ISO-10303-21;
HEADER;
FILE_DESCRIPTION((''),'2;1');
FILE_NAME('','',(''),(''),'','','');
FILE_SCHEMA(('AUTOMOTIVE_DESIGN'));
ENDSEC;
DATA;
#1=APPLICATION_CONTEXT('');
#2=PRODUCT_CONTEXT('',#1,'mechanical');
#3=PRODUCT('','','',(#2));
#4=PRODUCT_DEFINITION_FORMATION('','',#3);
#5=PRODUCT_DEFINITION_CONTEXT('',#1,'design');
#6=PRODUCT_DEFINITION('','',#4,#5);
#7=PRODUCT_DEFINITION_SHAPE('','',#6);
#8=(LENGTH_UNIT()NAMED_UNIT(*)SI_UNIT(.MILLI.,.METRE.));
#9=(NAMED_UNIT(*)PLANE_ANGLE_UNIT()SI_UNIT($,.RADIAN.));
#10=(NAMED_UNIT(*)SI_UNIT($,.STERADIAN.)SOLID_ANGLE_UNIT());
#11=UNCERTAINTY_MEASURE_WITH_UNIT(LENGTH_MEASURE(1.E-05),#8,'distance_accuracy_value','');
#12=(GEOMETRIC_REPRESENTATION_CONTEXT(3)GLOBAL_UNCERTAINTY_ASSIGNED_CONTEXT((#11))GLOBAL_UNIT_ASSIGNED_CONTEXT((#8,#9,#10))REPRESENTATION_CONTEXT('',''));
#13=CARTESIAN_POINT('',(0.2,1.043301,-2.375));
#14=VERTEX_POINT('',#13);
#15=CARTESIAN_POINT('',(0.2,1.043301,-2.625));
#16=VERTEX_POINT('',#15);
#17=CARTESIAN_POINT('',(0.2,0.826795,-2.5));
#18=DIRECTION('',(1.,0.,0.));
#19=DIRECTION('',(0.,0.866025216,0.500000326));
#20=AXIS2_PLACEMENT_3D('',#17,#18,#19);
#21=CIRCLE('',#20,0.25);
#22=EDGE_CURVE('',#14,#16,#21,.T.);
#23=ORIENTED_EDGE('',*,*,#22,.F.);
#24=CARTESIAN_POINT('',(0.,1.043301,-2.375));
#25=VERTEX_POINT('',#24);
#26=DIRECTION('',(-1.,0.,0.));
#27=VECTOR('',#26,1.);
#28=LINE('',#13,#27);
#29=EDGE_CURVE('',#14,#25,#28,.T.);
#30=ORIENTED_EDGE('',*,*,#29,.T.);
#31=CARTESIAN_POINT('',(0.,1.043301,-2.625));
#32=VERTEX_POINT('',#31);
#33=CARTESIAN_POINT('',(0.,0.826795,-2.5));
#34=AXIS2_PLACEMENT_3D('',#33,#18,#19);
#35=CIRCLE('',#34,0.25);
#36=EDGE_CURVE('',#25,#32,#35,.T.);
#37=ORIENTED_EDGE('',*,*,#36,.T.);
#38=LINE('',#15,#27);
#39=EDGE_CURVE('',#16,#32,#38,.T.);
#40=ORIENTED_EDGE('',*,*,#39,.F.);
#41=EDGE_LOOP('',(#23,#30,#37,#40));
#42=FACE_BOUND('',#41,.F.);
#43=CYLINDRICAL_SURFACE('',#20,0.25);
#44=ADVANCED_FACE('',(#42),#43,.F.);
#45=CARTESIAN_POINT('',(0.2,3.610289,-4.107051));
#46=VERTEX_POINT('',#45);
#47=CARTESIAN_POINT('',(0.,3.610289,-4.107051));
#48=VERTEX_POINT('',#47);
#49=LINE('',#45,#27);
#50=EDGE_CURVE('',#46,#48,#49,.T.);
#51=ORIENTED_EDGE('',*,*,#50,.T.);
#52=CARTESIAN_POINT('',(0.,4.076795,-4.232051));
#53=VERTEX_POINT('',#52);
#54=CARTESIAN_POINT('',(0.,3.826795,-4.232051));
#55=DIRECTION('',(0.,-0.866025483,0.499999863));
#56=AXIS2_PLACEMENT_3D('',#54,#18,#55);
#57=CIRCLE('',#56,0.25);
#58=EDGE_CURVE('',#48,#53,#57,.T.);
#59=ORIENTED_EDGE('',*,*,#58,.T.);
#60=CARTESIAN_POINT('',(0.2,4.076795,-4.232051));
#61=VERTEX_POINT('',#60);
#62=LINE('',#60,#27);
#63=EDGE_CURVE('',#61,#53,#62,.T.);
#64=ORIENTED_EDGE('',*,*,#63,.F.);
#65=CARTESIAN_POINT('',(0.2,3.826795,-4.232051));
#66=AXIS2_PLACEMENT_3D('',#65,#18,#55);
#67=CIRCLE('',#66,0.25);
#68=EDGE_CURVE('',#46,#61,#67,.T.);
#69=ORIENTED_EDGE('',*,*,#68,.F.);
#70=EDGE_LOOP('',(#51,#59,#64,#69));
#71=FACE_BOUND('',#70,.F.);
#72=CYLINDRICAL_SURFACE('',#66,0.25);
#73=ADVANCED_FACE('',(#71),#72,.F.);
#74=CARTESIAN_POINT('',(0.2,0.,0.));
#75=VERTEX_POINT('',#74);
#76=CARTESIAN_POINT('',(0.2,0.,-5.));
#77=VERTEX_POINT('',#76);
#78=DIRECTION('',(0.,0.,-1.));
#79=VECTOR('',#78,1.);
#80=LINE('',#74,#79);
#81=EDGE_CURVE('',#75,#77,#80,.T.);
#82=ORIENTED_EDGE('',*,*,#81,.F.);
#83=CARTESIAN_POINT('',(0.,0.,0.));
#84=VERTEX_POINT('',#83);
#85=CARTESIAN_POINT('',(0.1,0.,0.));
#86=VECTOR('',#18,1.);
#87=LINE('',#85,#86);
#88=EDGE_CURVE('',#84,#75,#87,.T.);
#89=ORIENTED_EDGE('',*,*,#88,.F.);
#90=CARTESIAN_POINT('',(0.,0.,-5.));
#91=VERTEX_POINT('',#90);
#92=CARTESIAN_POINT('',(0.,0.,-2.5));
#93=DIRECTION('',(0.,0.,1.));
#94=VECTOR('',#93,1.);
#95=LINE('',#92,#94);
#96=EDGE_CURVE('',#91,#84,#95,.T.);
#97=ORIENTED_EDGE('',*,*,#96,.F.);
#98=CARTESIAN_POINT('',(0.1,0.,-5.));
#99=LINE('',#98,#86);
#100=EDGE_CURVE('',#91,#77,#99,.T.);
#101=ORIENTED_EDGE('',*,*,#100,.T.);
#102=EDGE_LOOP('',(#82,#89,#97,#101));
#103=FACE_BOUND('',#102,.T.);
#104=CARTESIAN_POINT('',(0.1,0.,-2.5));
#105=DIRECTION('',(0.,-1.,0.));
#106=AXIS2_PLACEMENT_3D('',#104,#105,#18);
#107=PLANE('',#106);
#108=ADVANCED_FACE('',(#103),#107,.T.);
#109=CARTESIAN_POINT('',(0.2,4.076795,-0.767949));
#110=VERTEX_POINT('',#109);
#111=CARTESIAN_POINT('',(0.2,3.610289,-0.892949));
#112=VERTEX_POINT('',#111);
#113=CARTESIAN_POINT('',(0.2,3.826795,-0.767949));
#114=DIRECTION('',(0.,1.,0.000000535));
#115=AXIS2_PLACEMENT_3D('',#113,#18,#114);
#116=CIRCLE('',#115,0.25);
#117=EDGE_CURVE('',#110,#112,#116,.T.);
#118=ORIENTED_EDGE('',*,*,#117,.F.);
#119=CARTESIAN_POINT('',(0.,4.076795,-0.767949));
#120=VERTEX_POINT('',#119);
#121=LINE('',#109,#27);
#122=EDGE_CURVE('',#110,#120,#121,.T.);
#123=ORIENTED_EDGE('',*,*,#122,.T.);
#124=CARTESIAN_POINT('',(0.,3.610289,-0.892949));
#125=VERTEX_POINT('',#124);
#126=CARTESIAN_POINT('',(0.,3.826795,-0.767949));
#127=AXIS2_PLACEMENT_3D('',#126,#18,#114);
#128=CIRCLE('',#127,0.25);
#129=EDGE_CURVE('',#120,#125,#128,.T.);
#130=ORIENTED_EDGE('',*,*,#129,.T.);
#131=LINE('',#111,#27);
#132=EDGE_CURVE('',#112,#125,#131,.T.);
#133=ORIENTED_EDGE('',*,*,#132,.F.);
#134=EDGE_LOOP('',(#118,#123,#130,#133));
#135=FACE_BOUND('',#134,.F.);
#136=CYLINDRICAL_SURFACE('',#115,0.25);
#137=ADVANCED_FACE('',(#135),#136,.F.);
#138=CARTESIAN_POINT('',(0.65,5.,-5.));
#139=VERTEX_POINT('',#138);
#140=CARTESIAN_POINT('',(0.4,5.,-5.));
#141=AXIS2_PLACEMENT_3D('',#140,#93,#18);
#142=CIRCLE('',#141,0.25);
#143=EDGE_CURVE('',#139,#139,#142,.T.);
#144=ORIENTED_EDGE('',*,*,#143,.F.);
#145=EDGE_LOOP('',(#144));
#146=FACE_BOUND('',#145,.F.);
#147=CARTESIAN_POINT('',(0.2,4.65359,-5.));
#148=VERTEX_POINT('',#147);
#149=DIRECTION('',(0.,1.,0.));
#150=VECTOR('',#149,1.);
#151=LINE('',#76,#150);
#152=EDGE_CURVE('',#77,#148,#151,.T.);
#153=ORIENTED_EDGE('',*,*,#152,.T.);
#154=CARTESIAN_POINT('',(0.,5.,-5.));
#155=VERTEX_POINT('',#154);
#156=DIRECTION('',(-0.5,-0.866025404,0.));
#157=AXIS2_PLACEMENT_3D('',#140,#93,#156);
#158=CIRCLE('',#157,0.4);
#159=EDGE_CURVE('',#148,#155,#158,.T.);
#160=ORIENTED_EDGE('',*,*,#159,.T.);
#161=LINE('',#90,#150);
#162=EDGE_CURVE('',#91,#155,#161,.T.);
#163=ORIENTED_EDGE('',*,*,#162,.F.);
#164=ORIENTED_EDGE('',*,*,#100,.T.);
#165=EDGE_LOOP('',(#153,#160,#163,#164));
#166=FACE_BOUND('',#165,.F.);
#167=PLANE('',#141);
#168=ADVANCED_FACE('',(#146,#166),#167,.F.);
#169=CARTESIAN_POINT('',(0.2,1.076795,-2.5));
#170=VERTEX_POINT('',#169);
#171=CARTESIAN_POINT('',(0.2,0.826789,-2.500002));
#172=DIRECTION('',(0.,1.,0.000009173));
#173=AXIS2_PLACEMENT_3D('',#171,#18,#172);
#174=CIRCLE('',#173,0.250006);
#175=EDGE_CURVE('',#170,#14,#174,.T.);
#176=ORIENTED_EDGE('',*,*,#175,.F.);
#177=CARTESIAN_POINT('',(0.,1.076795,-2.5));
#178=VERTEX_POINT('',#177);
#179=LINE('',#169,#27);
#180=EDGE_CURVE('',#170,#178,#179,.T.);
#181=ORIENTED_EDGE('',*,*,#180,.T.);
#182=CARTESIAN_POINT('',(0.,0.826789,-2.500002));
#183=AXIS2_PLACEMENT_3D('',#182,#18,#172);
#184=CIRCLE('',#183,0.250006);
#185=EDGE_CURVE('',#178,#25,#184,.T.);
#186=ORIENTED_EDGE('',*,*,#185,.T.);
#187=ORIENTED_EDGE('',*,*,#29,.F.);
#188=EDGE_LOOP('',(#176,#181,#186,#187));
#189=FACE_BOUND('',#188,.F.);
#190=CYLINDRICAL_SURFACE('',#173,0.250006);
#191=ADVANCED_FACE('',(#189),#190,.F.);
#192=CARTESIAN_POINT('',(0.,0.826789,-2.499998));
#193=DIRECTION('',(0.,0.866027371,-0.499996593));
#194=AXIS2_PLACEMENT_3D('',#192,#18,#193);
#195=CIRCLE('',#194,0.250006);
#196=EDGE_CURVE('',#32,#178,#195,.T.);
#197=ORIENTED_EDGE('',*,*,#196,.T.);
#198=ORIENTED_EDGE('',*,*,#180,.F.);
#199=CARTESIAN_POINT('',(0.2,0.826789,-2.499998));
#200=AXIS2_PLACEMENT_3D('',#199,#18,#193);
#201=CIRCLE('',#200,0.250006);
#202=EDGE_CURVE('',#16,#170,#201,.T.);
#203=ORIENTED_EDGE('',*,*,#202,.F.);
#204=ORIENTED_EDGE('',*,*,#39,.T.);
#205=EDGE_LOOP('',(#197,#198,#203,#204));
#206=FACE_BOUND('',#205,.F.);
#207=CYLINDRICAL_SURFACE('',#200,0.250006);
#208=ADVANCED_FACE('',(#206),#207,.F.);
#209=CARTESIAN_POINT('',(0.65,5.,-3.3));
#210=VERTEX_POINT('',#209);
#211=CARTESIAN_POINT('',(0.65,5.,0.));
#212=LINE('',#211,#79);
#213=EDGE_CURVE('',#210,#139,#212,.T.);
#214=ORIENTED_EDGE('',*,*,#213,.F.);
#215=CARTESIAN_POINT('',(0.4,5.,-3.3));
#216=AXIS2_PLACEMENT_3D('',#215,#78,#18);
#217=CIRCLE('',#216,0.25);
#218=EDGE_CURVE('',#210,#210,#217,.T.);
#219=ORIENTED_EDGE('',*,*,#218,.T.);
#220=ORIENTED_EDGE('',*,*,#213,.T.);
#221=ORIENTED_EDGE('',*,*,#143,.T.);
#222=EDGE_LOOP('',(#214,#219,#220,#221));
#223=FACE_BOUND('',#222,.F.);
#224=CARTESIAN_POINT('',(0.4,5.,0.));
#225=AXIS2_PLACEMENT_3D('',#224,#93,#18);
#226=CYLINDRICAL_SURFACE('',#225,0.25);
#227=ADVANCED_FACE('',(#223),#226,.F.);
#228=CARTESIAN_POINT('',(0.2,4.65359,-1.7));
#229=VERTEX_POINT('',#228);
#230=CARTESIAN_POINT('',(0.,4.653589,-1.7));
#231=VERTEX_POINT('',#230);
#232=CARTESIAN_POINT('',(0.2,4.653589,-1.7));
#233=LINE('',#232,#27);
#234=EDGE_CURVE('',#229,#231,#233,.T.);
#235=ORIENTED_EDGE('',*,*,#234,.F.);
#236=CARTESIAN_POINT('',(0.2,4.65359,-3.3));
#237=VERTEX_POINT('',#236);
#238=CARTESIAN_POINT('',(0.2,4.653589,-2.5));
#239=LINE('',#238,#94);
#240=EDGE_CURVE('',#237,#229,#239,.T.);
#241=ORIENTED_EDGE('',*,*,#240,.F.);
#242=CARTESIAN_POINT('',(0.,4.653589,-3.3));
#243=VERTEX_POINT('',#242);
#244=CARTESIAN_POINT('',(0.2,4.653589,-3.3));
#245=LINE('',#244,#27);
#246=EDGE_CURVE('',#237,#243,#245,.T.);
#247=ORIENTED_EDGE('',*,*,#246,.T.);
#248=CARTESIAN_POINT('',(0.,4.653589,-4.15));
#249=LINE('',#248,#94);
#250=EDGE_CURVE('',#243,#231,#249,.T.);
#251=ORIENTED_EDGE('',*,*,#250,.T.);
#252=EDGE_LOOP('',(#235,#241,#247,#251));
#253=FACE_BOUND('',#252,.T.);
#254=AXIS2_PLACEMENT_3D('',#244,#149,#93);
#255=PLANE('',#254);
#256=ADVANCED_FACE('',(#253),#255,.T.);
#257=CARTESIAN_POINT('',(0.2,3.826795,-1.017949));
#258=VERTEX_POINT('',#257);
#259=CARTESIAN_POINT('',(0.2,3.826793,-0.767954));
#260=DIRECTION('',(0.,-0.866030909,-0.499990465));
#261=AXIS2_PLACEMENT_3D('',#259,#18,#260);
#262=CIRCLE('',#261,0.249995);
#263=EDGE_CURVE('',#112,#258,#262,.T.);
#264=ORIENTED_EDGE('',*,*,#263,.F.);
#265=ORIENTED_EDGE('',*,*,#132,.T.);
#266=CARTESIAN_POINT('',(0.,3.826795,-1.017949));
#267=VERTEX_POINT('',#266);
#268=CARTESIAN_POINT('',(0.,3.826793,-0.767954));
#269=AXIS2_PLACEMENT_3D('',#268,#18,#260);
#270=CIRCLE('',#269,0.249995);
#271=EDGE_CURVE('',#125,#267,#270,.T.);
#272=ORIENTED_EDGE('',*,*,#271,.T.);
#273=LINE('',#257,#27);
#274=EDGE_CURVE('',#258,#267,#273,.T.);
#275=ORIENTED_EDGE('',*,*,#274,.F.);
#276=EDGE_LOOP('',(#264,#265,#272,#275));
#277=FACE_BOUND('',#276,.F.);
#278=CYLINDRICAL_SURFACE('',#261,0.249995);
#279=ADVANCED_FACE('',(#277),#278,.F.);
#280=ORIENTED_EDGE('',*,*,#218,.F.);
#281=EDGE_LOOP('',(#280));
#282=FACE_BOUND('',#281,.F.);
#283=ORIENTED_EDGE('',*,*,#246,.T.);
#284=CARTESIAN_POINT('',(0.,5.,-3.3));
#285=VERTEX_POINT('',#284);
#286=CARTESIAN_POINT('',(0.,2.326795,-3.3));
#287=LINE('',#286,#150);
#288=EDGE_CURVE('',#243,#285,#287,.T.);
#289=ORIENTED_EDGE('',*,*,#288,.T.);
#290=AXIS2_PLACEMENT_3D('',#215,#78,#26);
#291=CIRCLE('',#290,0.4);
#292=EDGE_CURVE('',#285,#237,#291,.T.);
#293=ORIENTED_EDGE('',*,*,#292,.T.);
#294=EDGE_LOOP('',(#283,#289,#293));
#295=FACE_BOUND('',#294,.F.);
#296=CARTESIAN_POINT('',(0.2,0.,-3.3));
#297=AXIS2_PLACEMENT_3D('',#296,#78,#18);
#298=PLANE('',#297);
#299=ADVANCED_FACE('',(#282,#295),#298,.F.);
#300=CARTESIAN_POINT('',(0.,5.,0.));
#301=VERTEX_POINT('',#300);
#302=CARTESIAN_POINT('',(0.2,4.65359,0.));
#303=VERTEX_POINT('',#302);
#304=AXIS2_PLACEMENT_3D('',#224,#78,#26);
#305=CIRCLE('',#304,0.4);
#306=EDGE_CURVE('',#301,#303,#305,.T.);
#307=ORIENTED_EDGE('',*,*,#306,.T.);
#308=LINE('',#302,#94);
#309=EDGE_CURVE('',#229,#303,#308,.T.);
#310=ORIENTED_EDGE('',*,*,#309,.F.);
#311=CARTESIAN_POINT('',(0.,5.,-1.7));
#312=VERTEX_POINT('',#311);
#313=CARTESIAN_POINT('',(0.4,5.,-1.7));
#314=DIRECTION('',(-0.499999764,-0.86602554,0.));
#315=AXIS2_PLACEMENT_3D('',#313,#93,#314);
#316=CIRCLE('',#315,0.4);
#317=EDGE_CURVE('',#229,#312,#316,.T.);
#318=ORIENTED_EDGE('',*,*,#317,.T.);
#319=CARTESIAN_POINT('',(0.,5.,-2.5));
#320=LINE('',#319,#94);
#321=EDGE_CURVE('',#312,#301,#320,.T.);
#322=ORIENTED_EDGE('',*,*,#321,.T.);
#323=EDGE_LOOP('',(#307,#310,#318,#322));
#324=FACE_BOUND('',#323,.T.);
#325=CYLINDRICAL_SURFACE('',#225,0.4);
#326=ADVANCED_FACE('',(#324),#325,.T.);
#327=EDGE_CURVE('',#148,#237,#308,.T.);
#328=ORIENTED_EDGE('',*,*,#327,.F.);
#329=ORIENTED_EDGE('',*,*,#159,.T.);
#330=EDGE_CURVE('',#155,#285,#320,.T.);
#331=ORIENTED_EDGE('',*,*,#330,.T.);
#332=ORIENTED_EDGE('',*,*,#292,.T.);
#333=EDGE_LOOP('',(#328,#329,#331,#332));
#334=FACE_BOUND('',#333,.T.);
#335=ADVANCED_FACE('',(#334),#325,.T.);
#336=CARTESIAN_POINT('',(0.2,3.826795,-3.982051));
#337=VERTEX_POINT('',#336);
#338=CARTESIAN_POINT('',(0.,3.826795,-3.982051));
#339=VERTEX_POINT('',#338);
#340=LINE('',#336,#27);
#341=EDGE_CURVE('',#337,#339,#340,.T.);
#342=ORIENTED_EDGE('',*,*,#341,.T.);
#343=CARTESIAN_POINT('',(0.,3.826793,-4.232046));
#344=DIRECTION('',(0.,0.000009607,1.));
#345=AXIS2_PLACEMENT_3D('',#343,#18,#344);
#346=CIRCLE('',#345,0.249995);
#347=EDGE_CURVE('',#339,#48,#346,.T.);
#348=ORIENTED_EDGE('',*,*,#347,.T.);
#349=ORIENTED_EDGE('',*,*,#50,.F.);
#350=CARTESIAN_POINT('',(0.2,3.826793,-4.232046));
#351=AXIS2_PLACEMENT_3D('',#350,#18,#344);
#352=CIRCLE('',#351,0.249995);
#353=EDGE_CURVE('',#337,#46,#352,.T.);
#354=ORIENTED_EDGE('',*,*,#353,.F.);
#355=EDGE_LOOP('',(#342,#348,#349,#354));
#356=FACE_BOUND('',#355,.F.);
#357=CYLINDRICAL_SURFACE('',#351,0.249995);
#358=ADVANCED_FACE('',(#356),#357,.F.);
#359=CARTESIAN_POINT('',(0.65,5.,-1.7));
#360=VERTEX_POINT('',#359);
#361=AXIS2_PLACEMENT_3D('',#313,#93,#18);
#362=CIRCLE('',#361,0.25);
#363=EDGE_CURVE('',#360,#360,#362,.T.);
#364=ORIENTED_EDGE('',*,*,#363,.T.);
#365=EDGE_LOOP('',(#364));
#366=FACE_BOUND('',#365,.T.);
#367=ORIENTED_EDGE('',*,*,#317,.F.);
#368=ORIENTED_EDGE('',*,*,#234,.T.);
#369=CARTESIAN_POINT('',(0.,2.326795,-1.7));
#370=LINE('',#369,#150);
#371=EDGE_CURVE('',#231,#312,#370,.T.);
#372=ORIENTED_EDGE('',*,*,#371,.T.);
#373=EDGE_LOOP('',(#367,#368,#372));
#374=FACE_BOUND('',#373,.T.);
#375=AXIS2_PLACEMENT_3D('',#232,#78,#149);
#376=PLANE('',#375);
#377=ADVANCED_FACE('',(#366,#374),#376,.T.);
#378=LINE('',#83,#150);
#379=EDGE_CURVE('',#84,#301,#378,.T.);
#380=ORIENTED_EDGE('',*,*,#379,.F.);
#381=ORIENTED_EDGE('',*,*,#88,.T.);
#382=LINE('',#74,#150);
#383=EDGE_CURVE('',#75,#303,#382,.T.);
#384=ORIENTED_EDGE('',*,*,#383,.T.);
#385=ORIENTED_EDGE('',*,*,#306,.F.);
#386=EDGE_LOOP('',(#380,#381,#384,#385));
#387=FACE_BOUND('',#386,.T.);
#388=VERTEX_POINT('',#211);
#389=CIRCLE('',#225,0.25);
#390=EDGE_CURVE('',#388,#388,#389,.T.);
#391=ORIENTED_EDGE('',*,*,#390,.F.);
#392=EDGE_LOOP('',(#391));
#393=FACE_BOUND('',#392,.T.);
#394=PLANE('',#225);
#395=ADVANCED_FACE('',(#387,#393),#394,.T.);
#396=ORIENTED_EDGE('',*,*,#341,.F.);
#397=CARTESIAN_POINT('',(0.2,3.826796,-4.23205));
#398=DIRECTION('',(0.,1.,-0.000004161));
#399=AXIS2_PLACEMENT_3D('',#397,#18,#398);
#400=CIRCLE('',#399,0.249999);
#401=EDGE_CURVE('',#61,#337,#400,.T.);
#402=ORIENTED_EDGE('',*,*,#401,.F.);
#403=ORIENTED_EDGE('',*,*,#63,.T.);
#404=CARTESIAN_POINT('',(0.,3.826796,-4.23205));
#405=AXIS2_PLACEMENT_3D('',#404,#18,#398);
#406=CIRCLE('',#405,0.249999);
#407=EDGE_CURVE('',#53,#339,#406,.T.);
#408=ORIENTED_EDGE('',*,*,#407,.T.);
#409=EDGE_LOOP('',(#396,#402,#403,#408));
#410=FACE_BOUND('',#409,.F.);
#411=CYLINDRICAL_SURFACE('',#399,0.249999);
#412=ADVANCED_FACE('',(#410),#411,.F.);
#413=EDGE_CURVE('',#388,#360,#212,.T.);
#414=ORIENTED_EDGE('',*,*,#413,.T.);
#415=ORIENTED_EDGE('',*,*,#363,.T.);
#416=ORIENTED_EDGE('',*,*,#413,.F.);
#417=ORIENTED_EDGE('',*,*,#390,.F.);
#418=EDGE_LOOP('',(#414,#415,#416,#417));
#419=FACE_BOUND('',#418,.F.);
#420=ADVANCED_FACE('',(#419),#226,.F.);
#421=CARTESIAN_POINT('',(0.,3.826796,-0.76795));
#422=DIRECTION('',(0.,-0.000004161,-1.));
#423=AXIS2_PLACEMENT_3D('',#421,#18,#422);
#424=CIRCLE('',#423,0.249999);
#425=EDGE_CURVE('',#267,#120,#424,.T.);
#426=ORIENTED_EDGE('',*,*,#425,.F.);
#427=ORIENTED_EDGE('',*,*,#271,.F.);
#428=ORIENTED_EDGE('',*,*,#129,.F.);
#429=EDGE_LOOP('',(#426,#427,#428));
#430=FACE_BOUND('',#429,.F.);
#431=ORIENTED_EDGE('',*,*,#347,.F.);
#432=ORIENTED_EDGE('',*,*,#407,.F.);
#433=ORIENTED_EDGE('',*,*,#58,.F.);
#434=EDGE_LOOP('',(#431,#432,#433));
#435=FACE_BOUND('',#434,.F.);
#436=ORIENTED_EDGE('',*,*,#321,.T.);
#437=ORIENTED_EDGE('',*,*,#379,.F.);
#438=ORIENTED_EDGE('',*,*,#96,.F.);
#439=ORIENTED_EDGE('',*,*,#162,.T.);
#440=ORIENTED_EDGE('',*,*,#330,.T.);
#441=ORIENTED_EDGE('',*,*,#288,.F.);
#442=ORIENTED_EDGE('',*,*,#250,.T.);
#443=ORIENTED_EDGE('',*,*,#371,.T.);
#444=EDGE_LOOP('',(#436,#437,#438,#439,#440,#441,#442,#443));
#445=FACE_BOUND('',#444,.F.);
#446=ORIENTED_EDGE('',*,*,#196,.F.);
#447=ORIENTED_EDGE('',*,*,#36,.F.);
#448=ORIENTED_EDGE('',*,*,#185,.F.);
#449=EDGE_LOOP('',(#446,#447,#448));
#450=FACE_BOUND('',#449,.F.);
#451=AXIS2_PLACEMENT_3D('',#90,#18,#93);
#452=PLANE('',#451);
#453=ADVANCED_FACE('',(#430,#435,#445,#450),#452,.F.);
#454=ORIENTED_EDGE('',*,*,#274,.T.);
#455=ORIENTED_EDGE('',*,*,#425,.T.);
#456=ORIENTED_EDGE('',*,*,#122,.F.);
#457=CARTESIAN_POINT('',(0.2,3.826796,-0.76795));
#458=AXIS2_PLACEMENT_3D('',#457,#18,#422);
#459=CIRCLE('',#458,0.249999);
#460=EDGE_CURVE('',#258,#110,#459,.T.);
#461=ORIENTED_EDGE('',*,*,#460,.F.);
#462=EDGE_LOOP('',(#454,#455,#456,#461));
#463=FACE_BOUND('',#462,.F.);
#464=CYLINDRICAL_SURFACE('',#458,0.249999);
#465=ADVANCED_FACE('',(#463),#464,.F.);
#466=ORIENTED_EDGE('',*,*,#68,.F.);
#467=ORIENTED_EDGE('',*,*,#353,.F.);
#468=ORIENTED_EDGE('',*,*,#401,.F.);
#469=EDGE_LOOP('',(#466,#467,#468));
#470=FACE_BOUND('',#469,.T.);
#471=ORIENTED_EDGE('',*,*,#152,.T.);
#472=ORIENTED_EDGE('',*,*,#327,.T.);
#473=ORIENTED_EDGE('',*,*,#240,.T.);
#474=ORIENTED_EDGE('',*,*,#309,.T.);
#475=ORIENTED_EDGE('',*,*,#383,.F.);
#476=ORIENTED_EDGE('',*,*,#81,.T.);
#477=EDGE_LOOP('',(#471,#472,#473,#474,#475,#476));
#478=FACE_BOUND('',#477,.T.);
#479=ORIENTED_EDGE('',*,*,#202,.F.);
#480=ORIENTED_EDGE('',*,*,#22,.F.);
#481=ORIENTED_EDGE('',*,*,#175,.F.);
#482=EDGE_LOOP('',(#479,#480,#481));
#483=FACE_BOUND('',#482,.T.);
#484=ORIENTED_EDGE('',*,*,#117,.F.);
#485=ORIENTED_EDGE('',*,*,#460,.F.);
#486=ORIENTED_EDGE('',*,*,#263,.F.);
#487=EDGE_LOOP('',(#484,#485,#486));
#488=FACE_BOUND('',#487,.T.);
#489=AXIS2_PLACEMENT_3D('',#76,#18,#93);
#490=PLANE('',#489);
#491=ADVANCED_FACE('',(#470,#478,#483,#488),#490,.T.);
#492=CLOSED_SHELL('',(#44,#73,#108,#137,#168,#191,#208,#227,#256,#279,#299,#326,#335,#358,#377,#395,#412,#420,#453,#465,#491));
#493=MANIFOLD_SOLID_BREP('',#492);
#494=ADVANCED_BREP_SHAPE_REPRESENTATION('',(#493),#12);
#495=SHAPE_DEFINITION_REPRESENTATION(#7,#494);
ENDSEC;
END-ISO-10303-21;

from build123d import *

# Parameters (mm, degrees)
F0_W      = 0.2
F0_H      = 5
F1_DEPTH  = 5
F2_R      = 0.4
F3_DEPTH  = 5
F4_R      = 0.25
F5_DEPTH  = 5.001
F6_W      = 0.733872
F6_H      = 0.8
F7_DEPTH  = 5.401
F8_W      = 1.051865
F8_H      = 1.6
F9_DEPTH  = 0.201
F11_DEPTH = 0.201


with BuildPart() as f1:
    # F0 (on Front) → F1 (new body)
    with BuildSketch(Plane.XZ):
        with Locations((0.1, -2.5)):
            Rectangle(F0_W, F0_H)
    extrude(amount=-F1_DEPTH)

    # F2 (on face) → F3 (join)
    with BuildSketch(Plane.XY):
        with Locations((0.4, 5)):
            Circle(F2_R)
    extrude(amount=-F3_DEPTH)

    # F4 (on face) → F5 (cut, through all)
    with BuildSketch(Plane.XY):
        with Locations((0.4, 5)):
            Circle(F4_R)
    extrude(amount=-F5_DEPTH, mode=Mode.SUBTRACT)

    # F6 (on face) → F7 (cut, through all)
    with BuildSketch(Plane.XZ):
        with Locations((0.566936, -2.1)):
            Rectangle(F6_W, F6_H)
        with Locations((0.566936, -2.9)):
            Rectangle(F6_W, F6_H)
    extrude(amount=-F7_DEPTH, mode=Mode.SUBTRACT)

    # F8 (on face) → F9 (cut, through all)
    with BuildSketch(Plane.YZ.offset(0.2)):
        with Locations((5.179522, -2.5)):
            Rectangle(F8_W, F8_H)
    extrude(amount=-F9_DEPTH, mode=Mode.SUBTRACT)

    # F10 (on face) → F11 (cut, through all)
    with BuildSketch(Plane.YZ.offset(0.2)):
        with BuildLine():
            Line((3.826795, -1.017949), (3.826795, -0.767949))
            Line((3.826795, -0.767949), (3.610289, -0.892949))
            ThreePointArc((3.610289, -0.892949), (3.701795, -0.984456), (3.826795, -1.017949))
        make_face()
        with BuildLine():
            Line((3.610289, -0.892949), (3.826795, -0.767949))
            Line((3.826795, -0.767949), (3.826795, -1.017949))
            ThreePointArc((3.826795, -1.017949), (4.003572, -0.944726), (4.076795, -0.767949))
            ThreePointArc((4.076795, -0.767949), (3.76209, -0.526468), (3.610289, -0.892949))
        make_face()
        with BuildLine():
            Line((3.826795, -4.232051), (3.826795, -3.982051))
            ThreePointArc((3.826795, -3.982051), (3.701795, -4.015544), (3.610289, -4.107051))
            Line((3.610289, -4.107051), (3.826795, -4.232051))
        make_face()
        with BuildLine():
            ThreePointArc((4.076795, -4.232051), (4.003572, -4.055274), (3.826795, -3.982051))
            Line((3.826795, -3.982051), (3.826795, -4.232051))
            Line((3.826795, -4.232051), (3.610289, -4.107051))
            ThreePointArc((3.610289, -4.107051), (3.76209, -4.473532), (4.076795, -4.232051))
        make_face()
        with BuildLine():
            Line((0.826795, -2.5), (1.043301, -2.375))
            ThreePointArc((1.043301, -2.375), (0.576795, -2.5), (1.043301, -2.625))
            Line((1.043301, -2.625), (0.826795, -2.5))
        make_face()
        with BuildLine():
            ThreePointArc((1.076795, -2.5), (1.068276, -2.435295), (1.043301, -2.375))
            Line((1.043301, -2.375), (0.826795, -2.5))
            Line((0.826795, -2.5), (1.043301, -2.625))
            ThreePointArc((1.043301, -2.625), (1.068276, -2.564705), (1.076795, -2.5))
        make_face()
    extrude(amount=-F11_DEPTH, mode=Mode.SUBTRACT)


solid = f1.part
